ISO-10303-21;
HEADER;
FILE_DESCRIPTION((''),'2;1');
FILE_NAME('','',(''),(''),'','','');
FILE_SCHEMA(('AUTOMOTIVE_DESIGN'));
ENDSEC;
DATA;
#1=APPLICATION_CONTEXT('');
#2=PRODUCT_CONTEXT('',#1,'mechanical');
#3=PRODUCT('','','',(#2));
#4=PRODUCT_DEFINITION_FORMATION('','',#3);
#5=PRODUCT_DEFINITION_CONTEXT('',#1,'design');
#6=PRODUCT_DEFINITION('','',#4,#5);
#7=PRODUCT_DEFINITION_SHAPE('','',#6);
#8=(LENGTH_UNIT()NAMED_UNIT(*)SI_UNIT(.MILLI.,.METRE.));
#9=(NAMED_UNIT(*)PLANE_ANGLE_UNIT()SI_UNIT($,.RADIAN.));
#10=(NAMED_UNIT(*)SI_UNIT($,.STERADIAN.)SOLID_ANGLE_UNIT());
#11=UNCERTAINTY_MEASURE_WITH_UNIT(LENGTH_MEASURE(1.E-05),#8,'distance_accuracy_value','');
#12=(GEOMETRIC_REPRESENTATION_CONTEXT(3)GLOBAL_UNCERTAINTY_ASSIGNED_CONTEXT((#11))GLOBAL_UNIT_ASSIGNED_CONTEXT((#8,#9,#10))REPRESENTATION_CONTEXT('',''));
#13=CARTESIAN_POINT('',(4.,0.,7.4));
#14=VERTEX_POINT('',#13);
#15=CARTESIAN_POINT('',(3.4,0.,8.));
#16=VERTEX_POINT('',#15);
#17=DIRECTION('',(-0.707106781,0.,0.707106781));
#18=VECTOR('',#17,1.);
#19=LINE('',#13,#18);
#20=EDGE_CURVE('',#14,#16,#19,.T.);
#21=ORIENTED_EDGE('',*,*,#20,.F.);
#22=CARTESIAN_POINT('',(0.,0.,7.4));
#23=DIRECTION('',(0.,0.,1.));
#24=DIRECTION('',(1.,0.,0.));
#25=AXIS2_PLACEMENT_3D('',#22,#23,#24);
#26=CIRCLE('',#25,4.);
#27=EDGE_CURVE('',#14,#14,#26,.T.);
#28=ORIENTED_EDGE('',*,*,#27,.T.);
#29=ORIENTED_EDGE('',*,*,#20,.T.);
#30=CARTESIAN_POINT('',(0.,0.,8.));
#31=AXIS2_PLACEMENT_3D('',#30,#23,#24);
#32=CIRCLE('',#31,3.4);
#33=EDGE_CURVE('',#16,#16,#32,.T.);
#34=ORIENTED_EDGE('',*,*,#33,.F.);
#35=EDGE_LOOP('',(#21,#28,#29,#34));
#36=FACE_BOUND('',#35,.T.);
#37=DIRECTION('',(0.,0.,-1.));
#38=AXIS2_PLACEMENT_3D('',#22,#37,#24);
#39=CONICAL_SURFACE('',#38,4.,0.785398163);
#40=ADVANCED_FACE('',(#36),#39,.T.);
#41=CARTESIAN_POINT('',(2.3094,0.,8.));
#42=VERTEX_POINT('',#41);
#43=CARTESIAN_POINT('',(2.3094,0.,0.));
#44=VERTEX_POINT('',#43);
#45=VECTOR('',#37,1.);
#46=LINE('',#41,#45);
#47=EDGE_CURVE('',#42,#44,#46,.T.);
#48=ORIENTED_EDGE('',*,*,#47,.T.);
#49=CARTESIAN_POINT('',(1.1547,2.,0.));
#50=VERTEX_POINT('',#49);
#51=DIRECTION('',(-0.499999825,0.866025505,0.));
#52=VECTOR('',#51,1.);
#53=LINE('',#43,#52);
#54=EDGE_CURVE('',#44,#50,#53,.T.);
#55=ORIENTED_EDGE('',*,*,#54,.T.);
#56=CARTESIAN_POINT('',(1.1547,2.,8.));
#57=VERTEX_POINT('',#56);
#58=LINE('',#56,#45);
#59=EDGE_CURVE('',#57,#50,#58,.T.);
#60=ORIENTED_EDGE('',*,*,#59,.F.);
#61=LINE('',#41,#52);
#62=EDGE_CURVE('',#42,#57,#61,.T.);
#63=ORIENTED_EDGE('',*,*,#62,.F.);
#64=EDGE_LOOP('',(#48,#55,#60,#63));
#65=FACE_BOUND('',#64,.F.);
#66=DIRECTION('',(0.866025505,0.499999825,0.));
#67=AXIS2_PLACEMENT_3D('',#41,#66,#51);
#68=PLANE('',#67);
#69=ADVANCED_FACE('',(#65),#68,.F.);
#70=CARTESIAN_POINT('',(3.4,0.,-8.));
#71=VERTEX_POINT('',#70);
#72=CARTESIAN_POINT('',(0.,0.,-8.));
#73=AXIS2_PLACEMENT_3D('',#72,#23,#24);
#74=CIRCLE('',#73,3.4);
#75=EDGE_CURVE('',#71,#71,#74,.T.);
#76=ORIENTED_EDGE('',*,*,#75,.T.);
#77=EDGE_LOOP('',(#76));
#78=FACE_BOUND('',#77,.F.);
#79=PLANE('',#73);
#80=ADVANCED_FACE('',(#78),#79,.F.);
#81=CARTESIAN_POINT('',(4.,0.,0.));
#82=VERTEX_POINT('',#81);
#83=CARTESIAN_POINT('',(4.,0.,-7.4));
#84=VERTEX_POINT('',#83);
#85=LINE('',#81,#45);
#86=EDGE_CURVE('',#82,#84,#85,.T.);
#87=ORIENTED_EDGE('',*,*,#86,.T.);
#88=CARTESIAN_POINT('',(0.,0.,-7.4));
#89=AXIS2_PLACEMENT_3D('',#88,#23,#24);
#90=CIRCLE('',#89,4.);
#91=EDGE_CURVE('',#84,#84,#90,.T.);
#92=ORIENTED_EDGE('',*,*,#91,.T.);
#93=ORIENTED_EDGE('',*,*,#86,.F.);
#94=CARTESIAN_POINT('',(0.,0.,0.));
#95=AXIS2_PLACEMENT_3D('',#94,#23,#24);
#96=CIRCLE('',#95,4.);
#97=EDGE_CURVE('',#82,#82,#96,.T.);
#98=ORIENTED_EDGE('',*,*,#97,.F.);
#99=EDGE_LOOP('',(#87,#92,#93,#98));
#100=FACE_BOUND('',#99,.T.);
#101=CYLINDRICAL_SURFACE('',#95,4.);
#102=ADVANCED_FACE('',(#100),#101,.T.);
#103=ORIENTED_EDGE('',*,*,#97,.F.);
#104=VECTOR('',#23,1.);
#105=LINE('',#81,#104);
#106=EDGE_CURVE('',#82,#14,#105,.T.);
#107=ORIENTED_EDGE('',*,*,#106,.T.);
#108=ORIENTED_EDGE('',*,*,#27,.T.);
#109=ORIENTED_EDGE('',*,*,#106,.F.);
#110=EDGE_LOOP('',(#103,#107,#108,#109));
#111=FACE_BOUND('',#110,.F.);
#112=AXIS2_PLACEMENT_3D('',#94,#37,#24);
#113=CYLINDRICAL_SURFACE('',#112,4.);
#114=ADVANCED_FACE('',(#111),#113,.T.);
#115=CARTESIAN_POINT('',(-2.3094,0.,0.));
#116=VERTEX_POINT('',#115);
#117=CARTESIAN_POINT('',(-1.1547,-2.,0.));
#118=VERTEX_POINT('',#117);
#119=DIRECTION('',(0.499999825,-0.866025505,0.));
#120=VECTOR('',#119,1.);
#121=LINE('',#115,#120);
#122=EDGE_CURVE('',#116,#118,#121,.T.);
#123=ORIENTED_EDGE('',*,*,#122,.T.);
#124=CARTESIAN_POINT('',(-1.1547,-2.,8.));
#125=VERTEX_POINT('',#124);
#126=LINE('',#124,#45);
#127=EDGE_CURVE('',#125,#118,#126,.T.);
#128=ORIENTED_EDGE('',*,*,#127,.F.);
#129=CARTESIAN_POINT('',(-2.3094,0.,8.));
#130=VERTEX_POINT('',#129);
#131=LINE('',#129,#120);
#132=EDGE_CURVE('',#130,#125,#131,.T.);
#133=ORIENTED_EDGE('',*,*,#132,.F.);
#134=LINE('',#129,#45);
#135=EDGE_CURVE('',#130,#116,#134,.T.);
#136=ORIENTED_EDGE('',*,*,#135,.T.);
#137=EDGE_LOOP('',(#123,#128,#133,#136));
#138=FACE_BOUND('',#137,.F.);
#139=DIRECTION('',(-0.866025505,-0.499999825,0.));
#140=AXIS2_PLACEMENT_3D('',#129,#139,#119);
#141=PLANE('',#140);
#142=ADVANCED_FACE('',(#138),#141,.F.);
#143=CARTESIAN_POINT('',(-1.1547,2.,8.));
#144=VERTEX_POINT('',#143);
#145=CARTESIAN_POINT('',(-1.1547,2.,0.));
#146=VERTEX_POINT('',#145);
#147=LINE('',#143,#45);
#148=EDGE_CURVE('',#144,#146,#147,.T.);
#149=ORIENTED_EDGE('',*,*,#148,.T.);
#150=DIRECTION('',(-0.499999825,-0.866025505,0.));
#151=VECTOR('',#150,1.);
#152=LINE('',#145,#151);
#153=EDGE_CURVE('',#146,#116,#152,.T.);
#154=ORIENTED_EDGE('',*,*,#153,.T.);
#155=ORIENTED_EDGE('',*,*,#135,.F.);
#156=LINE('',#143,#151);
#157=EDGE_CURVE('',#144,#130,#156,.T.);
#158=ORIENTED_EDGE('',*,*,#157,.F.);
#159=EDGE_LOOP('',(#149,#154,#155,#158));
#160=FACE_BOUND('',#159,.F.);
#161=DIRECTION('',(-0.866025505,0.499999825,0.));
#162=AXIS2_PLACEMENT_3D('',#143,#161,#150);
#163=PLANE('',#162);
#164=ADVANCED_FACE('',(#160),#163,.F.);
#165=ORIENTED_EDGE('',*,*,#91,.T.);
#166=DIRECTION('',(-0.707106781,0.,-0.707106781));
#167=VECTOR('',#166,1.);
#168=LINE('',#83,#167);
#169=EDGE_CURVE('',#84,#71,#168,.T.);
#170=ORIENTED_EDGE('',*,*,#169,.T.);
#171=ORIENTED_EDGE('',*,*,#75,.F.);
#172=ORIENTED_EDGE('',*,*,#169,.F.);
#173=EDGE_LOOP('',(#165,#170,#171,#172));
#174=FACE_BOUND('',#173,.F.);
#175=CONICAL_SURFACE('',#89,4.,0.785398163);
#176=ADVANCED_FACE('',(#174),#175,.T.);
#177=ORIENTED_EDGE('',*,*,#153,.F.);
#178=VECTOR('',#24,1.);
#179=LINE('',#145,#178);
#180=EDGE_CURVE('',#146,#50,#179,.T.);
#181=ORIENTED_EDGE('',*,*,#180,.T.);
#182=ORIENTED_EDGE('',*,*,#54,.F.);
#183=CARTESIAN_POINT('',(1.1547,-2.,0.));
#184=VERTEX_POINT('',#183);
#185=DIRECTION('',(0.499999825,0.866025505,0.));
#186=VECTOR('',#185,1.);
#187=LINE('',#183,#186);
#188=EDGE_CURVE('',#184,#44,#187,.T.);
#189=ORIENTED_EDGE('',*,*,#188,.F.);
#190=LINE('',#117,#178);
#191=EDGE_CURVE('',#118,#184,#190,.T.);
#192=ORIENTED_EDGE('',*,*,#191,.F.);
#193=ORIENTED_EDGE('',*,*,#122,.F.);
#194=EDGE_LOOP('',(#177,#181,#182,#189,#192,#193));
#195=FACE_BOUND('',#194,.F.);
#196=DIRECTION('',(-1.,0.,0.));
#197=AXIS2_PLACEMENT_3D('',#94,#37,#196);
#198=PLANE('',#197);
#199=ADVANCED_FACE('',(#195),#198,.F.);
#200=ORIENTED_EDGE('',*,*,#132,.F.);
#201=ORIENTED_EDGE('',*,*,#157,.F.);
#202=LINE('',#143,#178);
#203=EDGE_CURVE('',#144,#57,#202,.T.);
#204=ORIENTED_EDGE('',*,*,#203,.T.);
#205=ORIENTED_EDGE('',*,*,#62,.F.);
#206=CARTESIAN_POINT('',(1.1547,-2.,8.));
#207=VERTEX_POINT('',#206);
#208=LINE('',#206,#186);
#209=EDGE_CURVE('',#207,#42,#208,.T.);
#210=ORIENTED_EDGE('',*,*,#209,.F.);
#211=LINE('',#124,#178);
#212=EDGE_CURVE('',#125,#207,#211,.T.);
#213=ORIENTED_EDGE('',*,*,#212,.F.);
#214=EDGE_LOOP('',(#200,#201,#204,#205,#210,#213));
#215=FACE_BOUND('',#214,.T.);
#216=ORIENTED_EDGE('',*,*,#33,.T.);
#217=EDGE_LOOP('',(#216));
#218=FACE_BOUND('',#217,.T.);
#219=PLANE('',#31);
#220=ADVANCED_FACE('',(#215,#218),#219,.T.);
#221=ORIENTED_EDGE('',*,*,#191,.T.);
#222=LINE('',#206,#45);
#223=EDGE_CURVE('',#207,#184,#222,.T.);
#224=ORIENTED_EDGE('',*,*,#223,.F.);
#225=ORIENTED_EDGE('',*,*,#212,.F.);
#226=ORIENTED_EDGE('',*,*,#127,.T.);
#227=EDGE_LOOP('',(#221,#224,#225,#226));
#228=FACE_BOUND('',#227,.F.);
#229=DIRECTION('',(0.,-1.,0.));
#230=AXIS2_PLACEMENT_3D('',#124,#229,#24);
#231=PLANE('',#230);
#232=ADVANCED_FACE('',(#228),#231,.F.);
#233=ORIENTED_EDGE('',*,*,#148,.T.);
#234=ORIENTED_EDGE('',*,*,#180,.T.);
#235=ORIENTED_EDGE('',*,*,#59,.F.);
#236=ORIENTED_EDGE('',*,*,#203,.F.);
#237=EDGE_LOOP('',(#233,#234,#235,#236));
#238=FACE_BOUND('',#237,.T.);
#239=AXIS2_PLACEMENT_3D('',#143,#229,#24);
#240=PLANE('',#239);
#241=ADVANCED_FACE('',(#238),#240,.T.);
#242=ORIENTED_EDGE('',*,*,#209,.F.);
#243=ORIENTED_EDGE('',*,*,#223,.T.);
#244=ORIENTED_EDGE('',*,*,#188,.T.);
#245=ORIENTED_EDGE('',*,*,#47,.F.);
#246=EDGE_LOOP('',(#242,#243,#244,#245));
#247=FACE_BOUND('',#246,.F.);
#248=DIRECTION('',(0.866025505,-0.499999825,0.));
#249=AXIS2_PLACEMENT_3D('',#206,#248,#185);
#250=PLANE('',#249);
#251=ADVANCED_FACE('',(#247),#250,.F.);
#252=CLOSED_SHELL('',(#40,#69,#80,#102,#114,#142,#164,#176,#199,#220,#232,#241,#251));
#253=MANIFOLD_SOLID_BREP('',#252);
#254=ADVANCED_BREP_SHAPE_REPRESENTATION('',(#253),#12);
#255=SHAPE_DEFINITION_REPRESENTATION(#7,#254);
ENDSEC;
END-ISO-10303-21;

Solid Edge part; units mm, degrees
sketch "Sketch1" plane through (0, 0, 0) normal (0, 0, 1) x (1, 0, 0)
  circle A0 centre (0, 0) radius 4
  dimension "D1" = 8
extrude "Protrusion1" add sketch "Sketch1" along normal mid plane 16
chamfer "Chamfer1" distance 0.6 angle 45 2 edges at (-4, 0, -8) (-4, 0, 8)
sketch "Sketch2" plane through (0, 0, 8) normal (0, 0, 1) x (1, 0, 0)
  line L0 (-1.1547, 2) -> (1.1547, 2)
  line L1 (2.3094, 0) -> (1.1547, 2)
  line L2 (1.1547, -2) -> (2.3094, 0)
  line L3 (-1.1547, -2) -> (1.1547, -2)
  line L4 (-2.3094, 0) -> (-1.1547, -2)
  line L5 (-1.1547, 2) -> (-2.3094, 0)
  dimension "D1" = 4
extrude "Cutout1" cut sketch "Sketch2" against normal blind 8
properties part number "24104727"
